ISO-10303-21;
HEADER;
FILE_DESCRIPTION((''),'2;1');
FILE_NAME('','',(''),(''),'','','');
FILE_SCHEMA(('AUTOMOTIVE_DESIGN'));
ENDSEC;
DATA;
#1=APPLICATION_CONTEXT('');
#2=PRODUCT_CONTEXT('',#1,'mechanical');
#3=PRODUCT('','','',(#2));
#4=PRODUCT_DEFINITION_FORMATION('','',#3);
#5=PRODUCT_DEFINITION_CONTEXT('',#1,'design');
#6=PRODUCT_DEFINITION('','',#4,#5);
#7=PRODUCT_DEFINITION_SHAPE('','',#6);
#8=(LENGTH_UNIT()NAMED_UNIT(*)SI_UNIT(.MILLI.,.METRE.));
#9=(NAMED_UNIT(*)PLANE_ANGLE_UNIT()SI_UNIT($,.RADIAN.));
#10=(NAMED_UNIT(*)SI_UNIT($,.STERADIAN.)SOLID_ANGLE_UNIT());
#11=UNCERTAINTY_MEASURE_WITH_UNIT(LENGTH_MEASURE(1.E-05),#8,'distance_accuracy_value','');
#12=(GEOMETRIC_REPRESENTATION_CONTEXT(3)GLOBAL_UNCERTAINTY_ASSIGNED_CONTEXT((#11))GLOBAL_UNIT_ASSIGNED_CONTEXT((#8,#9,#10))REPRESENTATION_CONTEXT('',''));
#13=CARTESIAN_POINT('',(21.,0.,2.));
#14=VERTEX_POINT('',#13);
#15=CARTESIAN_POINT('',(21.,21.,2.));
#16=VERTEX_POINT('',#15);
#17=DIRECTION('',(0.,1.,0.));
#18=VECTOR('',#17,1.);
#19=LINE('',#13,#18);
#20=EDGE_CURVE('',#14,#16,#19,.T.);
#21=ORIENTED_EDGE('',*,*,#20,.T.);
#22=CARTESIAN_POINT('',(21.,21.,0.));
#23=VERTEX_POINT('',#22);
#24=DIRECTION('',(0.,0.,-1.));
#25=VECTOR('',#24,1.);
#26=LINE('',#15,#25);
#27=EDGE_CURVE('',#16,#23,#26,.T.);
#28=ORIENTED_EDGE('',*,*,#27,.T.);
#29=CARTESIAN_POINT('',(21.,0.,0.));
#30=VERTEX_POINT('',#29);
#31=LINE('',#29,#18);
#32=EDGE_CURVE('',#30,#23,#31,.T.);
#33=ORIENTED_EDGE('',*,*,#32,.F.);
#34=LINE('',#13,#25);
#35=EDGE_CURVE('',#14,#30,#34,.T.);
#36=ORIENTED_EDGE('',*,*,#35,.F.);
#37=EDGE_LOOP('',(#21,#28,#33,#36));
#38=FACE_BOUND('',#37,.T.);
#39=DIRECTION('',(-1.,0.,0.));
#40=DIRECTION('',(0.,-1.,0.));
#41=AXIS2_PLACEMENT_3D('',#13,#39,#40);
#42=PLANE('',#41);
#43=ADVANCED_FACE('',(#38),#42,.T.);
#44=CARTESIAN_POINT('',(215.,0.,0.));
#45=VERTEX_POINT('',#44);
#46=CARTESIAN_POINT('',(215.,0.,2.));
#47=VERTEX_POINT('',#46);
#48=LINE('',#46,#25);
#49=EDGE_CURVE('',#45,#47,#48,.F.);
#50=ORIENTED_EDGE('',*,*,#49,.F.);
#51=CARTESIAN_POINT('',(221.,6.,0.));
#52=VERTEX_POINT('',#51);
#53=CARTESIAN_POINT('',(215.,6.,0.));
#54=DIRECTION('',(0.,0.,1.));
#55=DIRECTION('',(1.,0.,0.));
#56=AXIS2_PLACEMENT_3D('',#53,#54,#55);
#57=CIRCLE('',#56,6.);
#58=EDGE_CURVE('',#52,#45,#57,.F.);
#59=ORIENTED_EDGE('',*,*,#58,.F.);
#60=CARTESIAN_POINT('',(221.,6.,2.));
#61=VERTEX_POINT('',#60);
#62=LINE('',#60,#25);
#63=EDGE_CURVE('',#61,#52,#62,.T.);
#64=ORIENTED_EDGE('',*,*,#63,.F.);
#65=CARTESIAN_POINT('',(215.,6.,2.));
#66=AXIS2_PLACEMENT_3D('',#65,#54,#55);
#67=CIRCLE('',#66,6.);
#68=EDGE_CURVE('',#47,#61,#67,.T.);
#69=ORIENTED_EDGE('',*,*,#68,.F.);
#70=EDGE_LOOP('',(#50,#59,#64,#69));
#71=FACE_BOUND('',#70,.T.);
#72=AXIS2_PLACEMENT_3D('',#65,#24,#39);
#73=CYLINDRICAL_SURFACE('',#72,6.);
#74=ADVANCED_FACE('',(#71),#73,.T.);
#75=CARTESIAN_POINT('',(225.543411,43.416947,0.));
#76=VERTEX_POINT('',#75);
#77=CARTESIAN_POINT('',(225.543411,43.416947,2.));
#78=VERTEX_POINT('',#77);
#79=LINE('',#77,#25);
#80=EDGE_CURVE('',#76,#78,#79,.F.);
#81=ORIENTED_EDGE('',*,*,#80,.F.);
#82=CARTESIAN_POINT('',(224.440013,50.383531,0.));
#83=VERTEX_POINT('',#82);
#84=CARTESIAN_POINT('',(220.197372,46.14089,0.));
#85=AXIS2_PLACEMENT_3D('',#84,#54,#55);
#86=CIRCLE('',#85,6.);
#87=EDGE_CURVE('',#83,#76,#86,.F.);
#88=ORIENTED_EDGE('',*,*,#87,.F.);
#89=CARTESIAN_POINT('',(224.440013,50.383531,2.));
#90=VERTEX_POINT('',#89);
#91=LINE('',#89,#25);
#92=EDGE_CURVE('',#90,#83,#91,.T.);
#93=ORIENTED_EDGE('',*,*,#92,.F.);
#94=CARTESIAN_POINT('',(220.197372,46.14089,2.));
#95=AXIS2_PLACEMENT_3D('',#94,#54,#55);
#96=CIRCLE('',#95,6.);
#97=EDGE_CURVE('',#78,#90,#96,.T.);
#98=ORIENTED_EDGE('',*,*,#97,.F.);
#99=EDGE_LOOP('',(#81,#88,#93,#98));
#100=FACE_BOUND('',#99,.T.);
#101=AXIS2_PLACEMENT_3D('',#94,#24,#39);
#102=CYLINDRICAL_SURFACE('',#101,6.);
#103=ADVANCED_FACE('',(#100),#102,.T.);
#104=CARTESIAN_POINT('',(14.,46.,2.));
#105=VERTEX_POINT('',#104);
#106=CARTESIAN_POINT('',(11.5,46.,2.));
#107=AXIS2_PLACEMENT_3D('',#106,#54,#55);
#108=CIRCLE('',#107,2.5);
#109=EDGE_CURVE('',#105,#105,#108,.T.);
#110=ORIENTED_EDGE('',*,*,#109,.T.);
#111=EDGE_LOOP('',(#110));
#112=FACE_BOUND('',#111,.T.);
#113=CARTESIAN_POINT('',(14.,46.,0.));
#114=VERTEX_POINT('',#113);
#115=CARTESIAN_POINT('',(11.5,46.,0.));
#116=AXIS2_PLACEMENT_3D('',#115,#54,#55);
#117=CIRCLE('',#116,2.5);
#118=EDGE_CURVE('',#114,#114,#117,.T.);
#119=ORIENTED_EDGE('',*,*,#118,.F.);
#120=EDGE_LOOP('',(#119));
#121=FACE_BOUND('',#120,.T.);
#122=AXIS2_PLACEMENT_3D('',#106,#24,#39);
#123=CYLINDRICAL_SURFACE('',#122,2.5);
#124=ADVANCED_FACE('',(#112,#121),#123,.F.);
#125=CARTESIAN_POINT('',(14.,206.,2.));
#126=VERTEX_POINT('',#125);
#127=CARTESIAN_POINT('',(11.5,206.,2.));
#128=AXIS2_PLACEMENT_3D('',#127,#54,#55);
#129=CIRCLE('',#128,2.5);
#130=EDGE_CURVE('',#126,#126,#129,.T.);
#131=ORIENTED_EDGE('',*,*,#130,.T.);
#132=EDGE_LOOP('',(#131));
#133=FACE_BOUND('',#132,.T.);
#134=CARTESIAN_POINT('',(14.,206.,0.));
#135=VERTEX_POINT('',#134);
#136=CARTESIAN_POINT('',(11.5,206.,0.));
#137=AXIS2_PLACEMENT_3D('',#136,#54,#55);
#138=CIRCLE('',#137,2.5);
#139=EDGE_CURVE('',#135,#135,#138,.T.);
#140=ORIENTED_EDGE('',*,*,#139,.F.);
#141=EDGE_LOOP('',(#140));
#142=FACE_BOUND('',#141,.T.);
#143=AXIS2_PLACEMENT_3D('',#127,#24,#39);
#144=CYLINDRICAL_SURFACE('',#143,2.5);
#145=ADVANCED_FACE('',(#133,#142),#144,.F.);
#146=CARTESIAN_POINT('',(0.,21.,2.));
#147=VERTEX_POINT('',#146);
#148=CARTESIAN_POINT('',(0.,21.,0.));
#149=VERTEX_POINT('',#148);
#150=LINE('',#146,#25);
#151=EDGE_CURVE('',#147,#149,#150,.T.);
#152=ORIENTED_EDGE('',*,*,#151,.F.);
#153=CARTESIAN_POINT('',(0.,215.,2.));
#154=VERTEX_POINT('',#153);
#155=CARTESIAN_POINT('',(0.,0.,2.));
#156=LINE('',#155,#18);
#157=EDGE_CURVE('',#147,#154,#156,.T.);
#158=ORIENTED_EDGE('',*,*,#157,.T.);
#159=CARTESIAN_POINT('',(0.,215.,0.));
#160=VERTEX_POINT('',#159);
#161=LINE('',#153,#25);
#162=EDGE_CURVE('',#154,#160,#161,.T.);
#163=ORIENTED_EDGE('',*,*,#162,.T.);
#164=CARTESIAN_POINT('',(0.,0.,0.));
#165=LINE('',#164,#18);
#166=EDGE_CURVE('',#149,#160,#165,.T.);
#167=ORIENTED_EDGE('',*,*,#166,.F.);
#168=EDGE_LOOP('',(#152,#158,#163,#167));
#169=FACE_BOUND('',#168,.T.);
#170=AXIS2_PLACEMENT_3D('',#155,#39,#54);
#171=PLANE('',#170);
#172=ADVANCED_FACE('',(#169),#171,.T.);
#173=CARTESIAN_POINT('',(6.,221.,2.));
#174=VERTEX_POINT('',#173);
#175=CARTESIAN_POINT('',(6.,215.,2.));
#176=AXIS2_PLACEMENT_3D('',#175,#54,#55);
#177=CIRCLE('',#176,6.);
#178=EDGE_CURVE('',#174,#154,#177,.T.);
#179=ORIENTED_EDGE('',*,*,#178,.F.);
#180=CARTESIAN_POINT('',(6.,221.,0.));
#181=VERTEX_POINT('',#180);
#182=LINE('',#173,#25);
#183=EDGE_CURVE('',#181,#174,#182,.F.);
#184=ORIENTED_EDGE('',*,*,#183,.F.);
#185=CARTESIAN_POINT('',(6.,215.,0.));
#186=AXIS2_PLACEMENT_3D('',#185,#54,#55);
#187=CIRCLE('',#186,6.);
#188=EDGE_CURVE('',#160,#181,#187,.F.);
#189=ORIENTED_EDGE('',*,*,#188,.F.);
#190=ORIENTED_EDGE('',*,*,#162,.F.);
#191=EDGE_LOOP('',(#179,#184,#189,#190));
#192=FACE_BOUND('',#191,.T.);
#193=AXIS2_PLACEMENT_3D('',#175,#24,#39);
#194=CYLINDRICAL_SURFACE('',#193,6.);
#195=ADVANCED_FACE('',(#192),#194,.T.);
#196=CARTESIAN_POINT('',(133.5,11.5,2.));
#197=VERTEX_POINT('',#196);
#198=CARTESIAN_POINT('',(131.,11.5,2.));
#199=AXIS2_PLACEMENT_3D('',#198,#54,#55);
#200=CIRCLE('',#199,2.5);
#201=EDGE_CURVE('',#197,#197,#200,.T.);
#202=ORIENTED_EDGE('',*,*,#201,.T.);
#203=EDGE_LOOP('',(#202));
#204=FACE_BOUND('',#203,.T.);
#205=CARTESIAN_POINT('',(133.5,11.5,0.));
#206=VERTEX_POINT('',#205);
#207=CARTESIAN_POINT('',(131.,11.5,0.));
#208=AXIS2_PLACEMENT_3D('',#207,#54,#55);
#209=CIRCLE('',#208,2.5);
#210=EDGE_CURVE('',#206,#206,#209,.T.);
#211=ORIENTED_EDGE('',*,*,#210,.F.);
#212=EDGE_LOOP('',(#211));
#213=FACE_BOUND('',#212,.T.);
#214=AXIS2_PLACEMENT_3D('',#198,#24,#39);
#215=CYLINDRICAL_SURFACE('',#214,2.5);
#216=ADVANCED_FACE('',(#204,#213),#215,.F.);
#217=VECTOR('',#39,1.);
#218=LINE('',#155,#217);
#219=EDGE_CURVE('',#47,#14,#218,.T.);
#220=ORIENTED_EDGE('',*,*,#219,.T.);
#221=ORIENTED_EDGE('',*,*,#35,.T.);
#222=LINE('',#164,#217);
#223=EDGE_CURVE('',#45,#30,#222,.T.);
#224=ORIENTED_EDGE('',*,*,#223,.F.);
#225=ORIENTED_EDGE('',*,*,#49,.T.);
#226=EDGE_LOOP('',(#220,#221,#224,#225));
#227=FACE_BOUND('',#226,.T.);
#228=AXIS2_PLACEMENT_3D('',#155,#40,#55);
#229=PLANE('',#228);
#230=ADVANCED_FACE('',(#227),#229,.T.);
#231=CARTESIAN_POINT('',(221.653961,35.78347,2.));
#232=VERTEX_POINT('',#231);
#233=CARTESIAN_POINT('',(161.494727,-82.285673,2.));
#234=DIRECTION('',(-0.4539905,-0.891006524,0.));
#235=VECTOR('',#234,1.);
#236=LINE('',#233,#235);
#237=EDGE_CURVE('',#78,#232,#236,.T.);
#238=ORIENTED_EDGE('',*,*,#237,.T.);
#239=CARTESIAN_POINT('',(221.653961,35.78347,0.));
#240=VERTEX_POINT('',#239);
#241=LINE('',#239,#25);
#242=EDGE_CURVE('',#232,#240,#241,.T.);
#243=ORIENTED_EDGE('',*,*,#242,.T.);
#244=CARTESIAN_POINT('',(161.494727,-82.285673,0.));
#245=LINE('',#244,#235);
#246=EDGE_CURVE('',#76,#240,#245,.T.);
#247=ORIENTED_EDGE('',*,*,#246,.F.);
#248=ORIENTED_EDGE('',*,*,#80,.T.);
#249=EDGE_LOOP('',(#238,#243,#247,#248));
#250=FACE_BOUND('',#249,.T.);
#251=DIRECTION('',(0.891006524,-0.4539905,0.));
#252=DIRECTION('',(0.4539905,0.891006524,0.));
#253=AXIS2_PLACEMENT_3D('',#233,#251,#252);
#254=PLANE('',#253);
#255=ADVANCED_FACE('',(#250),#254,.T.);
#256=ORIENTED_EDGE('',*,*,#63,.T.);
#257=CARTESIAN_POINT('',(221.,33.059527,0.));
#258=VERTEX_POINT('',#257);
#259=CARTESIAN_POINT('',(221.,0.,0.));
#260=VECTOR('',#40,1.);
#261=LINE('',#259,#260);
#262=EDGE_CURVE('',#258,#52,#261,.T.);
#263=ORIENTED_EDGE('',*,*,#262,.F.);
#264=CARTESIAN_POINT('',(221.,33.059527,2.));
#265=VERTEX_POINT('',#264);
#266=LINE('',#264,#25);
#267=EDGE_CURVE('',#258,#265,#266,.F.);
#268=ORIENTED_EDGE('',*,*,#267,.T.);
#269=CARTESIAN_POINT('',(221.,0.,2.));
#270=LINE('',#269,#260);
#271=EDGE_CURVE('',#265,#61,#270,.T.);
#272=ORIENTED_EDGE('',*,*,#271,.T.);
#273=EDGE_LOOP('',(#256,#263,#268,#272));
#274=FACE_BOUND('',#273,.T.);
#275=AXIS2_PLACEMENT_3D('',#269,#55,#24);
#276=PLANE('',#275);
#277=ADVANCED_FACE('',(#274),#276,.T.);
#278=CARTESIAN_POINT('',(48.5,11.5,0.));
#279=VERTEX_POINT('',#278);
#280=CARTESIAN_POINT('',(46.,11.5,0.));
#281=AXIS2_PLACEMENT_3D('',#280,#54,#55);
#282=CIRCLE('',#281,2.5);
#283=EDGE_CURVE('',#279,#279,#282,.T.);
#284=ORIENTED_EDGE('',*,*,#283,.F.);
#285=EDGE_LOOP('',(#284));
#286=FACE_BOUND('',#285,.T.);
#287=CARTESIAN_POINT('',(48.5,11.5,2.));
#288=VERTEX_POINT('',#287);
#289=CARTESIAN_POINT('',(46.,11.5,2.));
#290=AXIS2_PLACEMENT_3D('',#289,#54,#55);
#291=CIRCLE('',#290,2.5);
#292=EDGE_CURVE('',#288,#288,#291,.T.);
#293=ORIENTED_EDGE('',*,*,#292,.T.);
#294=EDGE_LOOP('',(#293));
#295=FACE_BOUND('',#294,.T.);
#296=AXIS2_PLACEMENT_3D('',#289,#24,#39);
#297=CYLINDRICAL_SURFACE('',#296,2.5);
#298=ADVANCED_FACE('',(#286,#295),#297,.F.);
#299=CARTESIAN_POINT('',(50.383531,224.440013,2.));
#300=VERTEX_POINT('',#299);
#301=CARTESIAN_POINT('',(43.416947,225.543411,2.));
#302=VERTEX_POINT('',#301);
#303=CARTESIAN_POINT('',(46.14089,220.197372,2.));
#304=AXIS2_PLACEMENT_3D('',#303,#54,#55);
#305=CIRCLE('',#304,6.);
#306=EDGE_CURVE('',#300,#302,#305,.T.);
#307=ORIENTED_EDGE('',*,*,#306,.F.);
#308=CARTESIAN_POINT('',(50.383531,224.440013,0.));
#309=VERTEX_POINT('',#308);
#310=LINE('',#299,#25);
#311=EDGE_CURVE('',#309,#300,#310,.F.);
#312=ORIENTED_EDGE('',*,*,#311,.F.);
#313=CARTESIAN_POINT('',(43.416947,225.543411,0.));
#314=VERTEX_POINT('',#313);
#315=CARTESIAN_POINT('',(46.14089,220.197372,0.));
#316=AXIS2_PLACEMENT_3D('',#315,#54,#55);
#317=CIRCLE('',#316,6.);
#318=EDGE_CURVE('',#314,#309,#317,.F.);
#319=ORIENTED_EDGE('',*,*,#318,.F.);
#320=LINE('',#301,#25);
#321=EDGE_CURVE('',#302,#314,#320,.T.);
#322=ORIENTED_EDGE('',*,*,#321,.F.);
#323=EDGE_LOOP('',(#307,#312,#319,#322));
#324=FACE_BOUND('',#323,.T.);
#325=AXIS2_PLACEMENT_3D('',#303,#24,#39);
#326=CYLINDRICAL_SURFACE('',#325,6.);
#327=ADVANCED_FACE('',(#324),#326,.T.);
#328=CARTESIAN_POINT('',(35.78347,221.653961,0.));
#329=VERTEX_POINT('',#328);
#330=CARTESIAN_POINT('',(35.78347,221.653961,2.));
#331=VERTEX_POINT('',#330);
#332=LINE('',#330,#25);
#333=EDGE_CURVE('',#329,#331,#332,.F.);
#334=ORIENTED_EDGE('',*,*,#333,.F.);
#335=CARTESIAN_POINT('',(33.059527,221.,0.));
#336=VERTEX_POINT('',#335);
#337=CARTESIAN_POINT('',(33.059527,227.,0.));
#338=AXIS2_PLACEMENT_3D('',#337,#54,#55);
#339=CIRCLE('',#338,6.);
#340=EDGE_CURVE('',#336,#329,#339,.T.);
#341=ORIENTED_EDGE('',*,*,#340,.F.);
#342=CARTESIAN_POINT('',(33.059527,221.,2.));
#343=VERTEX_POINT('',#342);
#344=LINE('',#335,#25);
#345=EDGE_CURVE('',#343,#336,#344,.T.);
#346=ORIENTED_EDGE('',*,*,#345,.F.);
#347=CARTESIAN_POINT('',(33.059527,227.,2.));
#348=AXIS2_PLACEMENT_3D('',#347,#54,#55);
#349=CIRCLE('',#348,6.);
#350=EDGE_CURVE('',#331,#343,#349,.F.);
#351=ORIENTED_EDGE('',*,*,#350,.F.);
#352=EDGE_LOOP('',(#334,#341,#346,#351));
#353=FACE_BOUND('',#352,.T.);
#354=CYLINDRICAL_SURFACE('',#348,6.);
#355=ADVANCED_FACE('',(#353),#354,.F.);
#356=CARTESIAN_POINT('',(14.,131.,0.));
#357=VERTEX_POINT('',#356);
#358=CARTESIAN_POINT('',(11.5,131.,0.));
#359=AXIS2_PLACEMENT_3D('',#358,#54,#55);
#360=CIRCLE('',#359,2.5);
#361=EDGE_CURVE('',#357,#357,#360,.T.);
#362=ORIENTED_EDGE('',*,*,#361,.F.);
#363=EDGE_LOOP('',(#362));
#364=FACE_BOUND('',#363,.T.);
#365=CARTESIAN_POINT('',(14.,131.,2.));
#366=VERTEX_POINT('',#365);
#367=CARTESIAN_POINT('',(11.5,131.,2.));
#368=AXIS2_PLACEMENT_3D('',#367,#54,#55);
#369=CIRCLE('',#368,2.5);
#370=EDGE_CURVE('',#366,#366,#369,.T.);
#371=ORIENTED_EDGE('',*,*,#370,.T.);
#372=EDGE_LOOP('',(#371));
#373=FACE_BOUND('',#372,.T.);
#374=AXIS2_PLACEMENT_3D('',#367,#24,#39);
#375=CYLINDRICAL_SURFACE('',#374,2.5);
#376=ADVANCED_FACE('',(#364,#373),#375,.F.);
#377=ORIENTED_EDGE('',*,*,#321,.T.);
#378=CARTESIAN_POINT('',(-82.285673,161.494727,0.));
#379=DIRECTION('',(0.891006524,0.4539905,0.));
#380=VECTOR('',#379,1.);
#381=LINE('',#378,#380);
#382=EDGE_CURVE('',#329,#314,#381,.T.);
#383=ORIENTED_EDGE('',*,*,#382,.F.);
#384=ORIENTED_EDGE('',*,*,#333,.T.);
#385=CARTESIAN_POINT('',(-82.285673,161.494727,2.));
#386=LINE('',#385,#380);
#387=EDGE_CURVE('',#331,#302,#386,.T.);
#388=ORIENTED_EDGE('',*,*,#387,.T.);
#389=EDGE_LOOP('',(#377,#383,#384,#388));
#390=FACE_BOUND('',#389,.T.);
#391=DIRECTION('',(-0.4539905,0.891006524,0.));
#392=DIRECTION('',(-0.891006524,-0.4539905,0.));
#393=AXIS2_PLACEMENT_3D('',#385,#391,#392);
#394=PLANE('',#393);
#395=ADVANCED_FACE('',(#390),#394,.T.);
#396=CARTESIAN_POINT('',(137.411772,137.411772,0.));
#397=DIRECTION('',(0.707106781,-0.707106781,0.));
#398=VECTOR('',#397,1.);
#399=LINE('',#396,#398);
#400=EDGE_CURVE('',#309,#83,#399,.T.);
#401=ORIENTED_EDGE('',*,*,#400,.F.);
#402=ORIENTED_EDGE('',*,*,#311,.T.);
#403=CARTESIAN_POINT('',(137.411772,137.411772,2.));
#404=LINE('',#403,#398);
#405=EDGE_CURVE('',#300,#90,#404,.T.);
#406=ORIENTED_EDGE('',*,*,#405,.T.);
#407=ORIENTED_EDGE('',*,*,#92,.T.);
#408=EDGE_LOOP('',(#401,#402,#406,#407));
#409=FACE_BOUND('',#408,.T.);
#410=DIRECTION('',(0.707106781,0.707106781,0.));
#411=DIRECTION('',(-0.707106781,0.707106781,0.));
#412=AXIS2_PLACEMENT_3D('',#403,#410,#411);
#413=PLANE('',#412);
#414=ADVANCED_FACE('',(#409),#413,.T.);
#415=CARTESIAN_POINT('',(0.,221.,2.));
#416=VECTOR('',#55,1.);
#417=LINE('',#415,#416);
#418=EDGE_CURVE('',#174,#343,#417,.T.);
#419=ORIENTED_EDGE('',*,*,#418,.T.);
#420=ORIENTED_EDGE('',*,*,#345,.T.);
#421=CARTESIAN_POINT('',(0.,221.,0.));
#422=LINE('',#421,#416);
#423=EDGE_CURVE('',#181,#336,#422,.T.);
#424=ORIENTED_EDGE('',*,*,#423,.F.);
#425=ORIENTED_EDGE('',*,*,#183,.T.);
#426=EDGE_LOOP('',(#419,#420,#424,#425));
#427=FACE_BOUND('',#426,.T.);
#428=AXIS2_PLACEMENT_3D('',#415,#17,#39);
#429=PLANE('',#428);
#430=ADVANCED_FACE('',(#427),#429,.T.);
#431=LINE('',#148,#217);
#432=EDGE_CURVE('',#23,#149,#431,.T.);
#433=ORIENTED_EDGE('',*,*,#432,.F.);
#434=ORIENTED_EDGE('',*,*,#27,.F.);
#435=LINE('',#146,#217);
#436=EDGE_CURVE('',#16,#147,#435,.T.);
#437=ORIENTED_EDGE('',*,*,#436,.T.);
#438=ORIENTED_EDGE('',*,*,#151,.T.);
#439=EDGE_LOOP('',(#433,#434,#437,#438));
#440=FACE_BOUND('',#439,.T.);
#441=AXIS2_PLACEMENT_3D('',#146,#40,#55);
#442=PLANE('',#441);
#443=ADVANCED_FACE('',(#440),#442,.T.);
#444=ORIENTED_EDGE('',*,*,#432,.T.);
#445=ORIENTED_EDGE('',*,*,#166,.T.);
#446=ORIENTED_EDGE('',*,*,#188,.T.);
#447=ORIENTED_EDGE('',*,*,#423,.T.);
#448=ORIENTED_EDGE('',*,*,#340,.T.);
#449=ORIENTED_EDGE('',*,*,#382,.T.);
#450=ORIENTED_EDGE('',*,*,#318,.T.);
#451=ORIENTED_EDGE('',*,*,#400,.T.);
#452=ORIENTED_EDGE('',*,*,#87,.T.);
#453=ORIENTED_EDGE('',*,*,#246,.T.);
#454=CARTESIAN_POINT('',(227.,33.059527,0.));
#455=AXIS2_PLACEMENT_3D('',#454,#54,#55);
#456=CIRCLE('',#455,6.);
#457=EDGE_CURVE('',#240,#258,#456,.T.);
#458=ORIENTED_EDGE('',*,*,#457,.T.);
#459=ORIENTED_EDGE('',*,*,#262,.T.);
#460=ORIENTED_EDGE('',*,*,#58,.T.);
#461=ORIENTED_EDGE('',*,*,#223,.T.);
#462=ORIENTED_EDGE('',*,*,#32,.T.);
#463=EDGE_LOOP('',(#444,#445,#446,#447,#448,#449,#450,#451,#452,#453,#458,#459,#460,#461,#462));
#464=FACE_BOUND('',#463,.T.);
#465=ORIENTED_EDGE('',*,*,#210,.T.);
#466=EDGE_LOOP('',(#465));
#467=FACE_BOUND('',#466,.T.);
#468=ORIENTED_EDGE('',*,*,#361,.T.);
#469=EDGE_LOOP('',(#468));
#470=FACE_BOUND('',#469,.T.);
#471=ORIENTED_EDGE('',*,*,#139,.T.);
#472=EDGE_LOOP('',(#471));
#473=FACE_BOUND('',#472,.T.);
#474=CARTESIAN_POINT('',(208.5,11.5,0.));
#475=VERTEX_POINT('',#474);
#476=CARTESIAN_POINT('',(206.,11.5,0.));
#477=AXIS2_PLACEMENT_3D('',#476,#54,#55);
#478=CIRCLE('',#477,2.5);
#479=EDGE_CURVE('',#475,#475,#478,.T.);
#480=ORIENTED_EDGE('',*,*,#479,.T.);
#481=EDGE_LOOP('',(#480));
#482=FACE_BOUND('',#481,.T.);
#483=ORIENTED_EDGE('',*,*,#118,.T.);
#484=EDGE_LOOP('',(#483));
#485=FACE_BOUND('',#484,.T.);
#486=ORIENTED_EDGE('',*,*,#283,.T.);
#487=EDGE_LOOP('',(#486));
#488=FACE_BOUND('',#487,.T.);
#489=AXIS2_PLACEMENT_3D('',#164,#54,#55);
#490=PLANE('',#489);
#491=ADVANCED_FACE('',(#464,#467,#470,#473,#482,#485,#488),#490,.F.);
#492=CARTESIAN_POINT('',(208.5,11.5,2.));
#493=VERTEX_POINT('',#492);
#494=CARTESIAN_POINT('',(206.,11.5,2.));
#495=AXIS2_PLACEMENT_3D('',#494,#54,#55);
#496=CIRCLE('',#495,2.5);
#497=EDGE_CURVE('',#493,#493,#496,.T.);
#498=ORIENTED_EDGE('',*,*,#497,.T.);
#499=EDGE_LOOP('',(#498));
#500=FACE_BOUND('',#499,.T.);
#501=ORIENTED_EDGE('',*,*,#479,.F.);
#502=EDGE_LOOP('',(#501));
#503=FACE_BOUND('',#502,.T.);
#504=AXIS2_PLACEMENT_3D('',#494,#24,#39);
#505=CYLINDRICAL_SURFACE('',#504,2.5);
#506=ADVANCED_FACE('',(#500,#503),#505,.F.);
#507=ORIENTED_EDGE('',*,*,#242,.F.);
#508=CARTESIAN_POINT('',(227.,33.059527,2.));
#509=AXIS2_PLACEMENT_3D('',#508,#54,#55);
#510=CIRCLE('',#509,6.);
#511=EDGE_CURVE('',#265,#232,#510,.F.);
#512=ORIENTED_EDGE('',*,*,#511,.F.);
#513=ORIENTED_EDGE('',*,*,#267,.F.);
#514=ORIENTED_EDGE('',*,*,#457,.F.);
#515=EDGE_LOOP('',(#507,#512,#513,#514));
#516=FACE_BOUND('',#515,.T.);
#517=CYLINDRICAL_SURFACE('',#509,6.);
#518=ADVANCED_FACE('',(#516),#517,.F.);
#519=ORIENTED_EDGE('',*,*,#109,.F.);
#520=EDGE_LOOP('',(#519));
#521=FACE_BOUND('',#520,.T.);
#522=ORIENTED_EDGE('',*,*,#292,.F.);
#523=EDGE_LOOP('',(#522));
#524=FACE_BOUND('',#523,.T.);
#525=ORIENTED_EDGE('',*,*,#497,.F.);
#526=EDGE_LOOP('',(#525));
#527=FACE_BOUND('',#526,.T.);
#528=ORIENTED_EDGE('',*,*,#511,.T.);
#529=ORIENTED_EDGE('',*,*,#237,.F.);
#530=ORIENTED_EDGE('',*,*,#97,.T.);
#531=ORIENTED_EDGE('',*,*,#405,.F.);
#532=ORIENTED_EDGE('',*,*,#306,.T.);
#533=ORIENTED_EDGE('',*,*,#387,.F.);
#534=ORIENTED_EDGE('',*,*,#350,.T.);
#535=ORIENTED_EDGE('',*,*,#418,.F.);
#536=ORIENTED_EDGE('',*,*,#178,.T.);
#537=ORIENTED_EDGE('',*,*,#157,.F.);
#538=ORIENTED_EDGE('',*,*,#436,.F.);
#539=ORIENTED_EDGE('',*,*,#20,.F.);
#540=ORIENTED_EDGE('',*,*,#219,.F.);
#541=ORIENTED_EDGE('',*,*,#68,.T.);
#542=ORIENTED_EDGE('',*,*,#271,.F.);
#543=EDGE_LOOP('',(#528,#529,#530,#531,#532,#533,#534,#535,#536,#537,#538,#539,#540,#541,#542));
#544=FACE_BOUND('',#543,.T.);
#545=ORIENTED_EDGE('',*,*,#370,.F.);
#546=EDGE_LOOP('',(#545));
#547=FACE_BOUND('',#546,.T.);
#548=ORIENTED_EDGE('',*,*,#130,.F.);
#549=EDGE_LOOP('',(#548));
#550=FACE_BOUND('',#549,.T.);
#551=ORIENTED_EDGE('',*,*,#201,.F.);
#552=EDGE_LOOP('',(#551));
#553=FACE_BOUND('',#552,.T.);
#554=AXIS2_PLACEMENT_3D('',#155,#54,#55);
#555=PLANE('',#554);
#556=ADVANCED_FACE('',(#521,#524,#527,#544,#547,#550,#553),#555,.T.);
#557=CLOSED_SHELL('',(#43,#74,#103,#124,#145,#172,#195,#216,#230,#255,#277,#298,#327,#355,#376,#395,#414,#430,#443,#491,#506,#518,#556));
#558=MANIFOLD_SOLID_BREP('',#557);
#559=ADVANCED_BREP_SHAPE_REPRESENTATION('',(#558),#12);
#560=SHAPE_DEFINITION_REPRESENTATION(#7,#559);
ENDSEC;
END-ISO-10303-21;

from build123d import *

# Parameters (mm, degrees)
SKETCH_1_R      = 2.5
EXTRUDE_1_DEPTH = 2
FILLET_1_R      = 6


with BuildPart() as part:
    # 草圖1 → 擠出1 (new body)
    with BuildSketch(Plane.XY):
        Polygon((21, 0), (21, 21), (0, 21), (0, 221), (34.5, 221), (47.301071766, 227.522471846), (227.522471846, 47.301071766), (222.528576348, 37.5), (221, 34.5), (221, 21), (221, 0), align=None)
        with Locations((11.5, 46)):
            Circle(SKETCH_1_R, mode=Mode.SUBTRACT)
        with Locations((11.5, 131)):
            Circle(SKETCH_1_R, mode=Mode.SUBTRACT)
        with Locations((11.5, 206)):
            Circle(SKETCH_1_R, mode=Mode.SUBTRACT)
        with Locations((46, 11.5)):
            Circle(SKETCH_1_R, mode=Mode.SUBTRACT)
        with Locations((131, 11.5)):
            Circle(SKETCH_1_R, mode=Mode.SUBTRACT)
        with Locations((206, 11.5)):
            Circle(SKETCH_1_R, mode=Mode.SUBTRACT)
    extrude(amount=EXTRUDE_1_DEPTH)

    # 圓角1
    fillet_1_edges = [part.edges().sort_by_distance(p)[0] for p in [
        (0, 221, 1),
        (34.5, 221, 1),
        (47.301071766, 227.522471846, 1),
        (227.522471846, 47.301071766, 1),
        (221, 34.5, 1),
        (221, 0, 1),
    ]]
    fillet(fillet_1_edges, radius=FILLET_1_R)


solid = part.part
